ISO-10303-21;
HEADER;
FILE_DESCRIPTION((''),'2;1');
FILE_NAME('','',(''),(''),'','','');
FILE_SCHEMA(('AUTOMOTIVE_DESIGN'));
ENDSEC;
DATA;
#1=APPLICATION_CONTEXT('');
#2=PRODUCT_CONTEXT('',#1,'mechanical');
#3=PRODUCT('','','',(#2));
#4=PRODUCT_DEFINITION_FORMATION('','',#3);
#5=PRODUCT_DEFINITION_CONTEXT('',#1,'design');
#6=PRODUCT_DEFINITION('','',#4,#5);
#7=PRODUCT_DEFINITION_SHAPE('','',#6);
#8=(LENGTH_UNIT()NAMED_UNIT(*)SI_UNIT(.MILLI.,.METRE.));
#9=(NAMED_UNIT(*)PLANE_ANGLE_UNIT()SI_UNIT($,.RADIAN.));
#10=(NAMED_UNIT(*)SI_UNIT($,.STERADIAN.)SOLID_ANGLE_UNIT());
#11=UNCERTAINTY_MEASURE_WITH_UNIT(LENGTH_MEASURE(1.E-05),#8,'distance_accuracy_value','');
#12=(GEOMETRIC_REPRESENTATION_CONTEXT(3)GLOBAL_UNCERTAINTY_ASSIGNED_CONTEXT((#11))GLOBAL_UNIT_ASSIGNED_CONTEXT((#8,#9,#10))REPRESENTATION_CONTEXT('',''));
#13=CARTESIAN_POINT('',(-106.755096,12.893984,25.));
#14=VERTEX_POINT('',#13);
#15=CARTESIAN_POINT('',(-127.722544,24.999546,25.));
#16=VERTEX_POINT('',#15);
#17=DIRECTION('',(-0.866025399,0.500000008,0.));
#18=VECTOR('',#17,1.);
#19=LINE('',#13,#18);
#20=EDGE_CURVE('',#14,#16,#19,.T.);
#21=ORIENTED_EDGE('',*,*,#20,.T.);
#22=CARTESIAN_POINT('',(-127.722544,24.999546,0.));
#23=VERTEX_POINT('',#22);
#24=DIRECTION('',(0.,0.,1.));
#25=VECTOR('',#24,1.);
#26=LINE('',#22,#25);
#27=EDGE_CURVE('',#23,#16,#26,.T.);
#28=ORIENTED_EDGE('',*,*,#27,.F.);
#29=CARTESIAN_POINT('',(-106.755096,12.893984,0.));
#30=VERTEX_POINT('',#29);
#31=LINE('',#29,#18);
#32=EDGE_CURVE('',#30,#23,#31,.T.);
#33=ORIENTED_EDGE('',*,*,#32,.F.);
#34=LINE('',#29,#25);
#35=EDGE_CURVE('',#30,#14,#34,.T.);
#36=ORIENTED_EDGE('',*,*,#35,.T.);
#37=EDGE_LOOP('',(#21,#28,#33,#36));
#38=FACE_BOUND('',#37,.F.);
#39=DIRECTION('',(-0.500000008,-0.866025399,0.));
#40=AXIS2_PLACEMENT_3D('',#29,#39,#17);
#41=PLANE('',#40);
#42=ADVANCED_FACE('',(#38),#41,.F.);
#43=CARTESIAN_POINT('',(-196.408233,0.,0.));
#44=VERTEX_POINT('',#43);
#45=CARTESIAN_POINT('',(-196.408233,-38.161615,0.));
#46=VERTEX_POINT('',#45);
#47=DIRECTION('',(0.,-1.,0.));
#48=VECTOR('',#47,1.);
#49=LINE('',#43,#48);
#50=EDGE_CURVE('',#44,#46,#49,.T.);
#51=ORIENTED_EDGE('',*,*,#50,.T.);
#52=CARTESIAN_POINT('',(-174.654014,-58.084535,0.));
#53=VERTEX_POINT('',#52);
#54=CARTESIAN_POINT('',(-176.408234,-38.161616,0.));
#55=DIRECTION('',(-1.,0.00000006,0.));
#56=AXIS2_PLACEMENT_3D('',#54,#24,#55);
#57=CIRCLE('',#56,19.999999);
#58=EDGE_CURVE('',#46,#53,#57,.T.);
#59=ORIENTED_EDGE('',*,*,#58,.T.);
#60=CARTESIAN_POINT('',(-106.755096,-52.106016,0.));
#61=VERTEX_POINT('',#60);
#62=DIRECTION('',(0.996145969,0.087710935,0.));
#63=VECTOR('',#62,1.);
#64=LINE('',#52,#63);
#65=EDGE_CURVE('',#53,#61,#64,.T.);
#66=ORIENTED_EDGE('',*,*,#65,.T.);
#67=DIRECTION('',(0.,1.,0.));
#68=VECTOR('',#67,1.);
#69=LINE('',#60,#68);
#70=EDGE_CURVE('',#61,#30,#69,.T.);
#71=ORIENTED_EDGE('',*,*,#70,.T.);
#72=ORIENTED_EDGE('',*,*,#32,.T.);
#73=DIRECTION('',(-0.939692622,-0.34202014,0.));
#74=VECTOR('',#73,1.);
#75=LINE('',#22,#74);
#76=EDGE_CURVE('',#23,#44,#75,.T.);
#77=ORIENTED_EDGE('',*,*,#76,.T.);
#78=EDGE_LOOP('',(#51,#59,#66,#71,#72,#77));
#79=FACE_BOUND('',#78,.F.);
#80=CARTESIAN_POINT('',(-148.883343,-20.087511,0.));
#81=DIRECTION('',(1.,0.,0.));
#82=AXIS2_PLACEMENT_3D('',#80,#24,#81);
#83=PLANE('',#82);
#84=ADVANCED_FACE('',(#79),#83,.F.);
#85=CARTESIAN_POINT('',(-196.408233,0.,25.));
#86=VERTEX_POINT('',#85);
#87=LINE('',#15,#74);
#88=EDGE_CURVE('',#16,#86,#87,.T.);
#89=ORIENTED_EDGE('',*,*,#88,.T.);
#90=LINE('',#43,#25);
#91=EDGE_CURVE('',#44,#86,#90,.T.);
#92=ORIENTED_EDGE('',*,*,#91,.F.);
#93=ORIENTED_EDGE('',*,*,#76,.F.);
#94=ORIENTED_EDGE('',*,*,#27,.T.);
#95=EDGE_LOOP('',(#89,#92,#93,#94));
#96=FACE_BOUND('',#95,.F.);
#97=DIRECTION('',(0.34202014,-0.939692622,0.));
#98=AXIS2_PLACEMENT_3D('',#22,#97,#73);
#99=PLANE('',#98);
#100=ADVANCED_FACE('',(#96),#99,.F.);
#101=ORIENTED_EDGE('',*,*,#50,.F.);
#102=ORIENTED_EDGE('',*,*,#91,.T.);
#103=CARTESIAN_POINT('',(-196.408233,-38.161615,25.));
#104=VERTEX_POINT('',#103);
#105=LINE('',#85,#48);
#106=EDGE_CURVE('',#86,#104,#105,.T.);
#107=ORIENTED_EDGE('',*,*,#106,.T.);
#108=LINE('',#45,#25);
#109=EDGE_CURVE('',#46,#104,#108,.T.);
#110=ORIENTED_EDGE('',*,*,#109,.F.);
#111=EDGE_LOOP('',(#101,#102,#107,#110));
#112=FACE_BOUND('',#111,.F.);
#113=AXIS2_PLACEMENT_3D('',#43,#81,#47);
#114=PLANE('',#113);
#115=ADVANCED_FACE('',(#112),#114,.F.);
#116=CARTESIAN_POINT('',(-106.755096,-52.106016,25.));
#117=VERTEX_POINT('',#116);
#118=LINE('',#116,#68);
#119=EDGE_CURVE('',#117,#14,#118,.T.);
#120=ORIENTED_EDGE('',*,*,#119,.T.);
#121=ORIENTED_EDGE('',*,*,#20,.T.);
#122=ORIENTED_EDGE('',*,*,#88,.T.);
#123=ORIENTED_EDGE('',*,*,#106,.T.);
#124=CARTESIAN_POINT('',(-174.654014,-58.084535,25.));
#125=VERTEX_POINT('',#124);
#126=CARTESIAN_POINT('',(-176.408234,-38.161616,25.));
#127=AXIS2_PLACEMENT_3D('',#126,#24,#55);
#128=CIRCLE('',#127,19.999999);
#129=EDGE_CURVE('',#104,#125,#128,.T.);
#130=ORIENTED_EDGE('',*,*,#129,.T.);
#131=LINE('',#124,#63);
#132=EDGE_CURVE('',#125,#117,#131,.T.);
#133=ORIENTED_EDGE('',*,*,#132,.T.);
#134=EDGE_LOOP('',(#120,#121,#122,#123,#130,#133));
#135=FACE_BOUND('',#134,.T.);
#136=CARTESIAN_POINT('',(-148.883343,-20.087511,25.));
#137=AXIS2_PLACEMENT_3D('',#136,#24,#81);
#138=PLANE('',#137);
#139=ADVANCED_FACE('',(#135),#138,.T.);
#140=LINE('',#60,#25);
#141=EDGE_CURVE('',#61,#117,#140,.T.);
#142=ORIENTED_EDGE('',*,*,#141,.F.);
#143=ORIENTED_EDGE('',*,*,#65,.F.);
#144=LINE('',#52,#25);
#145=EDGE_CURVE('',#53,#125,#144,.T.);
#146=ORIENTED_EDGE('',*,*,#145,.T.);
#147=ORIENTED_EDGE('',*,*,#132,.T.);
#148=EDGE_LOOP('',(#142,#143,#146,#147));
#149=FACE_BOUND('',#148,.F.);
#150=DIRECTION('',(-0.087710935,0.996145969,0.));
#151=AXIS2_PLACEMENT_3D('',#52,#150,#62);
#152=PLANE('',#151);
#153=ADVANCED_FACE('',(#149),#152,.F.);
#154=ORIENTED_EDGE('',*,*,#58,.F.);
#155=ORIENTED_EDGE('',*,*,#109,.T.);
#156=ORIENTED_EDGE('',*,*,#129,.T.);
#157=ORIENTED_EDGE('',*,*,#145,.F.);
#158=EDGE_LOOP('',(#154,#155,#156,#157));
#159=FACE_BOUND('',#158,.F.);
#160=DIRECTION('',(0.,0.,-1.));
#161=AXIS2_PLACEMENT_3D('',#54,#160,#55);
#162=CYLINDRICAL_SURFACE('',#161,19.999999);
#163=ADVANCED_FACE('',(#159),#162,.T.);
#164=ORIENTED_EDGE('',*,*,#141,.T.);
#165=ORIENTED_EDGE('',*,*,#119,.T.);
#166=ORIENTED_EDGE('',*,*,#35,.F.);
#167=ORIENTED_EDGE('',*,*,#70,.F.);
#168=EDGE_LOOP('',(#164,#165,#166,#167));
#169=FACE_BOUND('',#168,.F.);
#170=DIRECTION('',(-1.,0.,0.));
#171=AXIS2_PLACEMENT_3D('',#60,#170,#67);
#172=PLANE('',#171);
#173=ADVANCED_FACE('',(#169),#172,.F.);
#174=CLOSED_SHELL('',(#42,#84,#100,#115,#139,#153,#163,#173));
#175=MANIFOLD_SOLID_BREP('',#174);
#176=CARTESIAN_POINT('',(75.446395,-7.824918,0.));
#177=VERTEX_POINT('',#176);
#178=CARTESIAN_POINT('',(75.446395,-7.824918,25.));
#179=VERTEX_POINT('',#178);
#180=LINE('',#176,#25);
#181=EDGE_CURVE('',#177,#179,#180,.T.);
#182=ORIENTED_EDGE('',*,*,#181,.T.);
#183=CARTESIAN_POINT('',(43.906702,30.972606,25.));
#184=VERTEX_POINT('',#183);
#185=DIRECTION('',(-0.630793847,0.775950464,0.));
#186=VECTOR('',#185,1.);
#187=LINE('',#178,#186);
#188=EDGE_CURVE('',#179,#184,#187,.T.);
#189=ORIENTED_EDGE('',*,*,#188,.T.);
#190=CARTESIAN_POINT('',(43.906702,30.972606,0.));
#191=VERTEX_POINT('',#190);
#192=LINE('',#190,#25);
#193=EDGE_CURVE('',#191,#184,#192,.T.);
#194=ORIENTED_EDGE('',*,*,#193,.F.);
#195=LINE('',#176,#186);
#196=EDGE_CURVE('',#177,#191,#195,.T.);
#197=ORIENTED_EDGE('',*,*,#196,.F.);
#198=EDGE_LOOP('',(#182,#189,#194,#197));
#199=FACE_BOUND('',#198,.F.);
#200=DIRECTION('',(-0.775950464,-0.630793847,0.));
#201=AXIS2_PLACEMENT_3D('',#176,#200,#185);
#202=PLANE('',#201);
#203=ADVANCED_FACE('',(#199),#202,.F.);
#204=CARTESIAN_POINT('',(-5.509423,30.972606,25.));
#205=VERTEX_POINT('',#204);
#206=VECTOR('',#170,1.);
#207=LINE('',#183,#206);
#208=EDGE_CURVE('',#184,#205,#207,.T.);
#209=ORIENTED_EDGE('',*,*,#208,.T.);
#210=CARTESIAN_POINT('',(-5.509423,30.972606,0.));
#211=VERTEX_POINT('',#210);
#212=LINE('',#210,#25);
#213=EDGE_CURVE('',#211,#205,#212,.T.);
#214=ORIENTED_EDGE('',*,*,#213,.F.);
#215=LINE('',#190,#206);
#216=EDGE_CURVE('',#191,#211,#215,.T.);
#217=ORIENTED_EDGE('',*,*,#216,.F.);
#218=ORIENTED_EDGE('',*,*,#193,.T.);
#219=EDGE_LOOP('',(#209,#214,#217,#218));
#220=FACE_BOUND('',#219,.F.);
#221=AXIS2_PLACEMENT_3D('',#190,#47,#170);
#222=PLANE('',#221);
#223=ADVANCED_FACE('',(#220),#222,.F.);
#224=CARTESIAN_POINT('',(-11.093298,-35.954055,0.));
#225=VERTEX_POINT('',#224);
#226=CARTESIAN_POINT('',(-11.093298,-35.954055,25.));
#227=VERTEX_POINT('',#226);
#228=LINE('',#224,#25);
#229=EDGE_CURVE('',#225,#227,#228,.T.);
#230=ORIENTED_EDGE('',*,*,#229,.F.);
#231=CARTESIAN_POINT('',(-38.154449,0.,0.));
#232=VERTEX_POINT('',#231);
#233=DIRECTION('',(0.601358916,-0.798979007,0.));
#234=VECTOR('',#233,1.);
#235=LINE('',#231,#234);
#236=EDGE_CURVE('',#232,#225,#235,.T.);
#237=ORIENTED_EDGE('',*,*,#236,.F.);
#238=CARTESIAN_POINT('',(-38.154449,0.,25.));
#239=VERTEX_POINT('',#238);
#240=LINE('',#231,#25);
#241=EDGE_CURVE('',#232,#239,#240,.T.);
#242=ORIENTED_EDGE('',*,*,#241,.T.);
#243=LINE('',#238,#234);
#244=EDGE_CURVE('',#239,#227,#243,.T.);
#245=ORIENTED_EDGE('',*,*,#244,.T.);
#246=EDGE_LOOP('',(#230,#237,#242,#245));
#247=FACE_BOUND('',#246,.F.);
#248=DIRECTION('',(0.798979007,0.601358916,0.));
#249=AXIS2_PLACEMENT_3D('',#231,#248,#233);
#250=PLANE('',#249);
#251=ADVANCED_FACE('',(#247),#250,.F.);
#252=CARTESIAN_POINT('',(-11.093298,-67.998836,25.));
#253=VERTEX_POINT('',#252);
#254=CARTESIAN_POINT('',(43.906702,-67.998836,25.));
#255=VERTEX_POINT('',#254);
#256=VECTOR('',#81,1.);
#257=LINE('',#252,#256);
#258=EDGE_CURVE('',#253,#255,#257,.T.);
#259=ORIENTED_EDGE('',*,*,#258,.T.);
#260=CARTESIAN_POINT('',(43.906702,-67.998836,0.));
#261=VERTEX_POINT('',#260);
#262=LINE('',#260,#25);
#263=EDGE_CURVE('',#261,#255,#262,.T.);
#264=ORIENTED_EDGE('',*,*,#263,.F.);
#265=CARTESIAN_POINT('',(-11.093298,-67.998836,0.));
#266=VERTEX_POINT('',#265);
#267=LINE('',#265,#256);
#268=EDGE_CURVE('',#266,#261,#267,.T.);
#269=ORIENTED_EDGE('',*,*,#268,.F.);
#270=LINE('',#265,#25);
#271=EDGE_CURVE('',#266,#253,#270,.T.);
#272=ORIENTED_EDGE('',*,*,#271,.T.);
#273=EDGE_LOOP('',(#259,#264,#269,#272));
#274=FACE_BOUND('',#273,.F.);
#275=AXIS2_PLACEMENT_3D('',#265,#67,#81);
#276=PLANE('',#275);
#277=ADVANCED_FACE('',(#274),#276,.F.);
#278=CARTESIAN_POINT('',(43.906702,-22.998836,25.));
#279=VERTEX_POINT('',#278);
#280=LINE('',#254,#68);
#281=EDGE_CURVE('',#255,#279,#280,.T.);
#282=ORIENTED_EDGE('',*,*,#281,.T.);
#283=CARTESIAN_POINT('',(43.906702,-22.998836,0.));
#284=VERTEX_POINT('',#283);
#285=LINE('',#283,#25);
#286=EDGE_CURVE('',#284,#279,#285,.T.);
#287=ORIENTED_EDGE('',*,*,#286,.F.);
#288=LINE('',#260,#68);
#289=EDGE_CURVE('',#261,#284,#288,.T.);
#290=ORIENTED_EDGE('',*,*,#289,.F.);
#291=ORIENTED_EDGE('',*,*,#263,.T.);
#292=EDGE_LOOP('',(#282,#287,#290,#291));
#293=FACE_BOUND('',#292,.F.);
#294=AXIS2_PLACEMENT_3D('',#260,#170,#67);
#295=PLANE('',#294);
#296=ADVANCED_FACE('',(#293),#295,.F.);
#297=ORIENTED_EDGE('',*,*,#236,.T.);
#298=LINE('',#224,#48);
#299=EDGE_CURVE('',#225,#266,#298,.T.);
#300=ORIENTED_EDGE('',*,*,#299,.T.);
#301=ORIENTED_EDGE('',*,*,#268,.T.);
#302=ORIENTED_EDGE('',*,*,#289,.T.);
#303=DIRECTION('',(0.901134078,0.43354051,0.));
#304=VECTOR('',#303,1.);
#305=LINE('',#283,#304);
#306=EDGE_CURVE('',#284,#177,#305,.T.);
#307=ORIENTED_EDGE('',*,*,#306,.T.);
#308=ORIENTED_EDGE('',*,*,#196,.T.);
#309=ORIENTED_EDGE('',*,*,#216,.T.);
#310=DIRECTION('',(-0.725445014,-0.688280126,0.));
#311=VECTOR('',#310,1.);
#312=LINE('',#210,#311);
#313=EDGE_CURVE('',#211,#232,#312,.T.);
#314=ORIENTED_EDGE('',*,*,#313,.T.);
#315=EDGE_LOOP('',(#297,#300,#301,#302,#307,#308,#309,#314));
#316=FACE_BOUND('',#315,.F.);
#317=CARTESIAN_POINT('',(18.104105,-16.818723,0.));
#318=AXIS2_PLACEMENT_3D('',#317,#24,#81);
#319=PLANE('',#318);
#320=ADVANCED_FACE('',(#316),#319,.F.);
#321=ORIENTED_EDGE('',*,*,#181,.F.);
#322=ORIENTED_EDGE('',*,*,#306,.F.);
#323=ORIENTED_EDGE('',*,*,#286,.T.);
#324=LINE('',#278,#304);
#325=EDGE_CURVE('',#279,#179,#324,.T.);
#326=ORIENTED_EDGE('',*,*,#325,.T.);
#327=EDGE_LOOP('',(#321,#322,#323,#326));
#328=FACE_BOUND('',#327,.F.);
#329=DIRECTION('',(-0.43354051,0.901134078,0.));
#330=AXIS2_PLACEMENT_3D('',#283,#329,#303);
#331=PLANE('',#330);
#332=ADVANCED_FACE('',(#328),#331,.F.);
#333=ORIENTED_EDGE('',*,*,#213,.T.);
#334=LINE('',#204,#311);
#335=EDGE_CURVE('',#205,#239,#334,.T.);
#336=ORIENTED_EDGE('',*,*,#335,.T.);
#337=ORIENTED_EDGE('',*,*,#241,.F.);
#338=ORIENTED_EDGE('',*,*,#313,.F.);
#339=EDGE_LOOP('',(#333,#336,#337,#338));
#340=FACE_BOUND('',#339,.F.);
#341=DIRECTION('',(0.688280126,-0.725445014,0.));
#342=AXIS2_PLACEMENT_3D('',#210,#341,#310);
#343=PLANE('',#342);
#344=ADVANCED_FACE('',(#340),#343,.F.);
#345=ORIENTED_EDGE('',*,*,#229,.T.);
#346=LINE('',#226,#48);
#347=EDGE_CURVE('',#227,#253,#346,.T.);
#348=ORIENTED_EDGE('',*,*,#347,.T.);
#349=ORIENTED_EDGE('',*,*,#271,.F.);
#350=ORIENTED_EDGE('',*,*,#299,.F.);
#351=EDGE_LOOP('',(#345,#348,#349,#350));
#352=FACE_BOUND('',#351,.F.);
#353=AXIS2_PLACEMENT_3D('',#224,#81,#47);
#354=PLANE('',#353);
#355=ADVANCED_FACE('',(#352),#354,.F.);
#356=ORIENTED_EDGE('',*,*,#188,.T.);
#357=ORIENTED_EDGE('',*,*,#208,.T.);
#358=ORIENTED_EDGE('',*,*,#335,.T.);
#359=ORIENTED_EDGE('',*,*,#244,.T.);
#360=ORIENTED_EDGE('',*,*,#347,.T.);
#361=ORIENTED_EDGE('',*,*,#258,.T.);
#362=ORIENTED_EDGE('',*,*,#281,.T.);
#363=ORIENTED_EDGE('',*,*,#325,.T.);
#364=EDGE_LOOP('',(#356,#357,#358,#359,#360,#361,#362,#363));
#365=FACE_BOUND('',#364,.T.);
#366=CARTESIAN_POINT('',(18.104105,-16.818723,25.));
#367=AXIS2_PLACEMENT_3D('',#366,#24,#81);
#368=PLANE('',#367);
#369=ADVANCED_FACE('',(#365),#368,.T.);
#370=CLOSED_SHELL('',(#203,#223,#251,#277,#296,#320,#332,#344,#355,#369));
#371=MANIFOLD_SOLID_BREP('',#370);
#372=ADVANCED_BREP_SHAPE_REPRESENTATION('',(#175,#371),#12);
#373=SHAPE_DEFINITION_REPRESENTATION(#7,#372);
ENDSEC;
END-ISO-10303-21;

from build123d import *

# Parameters (mm, degrees)
F2_DEPTH = 25
F3_DEPTH = 25


with BuildPart() as f2:
    # F1 (on Top) → F2 (new body)
    with BuildSketch(Plane.XY):
        with BuildLine():
            Line((-127.722544, 24.999546), (-196.408233, 0))
            Line((-196.408233, 0), (-196.408233, -38.161615))
            ThreePointArc((-196.408233, -38.161615), (-189.915928, -52.910927), (-174.654014, -58.084535))
            Line((-174.654014, -58.084535), (-106.755096, -52.106016))
            Line((-106.755096, -52.106016), (-106.755096, 12.893984))
            Line((-106.755096, 12.893984), (-127.722544, 24.999546))
        make_face()
    extrude(amount=F2_DEPTH)


with BuildPart() as f3:
    # F0 (on Top) → F3 (new body)
    with BuildSketch(Plane.XY):
        Polygon((-11.093298, -35.954055), (-11.093298, -67.998836), (43.906702, -67.998836), (43.906702, -22.998836), (75.446395, -7.824918), (43.906702, 30.972606), (-5.509423, 30.972606), (-38.154449, 0), align=None)
    extrude(amount=F3_DEPTH)


solid = Compound([f2.part, f3.part])
